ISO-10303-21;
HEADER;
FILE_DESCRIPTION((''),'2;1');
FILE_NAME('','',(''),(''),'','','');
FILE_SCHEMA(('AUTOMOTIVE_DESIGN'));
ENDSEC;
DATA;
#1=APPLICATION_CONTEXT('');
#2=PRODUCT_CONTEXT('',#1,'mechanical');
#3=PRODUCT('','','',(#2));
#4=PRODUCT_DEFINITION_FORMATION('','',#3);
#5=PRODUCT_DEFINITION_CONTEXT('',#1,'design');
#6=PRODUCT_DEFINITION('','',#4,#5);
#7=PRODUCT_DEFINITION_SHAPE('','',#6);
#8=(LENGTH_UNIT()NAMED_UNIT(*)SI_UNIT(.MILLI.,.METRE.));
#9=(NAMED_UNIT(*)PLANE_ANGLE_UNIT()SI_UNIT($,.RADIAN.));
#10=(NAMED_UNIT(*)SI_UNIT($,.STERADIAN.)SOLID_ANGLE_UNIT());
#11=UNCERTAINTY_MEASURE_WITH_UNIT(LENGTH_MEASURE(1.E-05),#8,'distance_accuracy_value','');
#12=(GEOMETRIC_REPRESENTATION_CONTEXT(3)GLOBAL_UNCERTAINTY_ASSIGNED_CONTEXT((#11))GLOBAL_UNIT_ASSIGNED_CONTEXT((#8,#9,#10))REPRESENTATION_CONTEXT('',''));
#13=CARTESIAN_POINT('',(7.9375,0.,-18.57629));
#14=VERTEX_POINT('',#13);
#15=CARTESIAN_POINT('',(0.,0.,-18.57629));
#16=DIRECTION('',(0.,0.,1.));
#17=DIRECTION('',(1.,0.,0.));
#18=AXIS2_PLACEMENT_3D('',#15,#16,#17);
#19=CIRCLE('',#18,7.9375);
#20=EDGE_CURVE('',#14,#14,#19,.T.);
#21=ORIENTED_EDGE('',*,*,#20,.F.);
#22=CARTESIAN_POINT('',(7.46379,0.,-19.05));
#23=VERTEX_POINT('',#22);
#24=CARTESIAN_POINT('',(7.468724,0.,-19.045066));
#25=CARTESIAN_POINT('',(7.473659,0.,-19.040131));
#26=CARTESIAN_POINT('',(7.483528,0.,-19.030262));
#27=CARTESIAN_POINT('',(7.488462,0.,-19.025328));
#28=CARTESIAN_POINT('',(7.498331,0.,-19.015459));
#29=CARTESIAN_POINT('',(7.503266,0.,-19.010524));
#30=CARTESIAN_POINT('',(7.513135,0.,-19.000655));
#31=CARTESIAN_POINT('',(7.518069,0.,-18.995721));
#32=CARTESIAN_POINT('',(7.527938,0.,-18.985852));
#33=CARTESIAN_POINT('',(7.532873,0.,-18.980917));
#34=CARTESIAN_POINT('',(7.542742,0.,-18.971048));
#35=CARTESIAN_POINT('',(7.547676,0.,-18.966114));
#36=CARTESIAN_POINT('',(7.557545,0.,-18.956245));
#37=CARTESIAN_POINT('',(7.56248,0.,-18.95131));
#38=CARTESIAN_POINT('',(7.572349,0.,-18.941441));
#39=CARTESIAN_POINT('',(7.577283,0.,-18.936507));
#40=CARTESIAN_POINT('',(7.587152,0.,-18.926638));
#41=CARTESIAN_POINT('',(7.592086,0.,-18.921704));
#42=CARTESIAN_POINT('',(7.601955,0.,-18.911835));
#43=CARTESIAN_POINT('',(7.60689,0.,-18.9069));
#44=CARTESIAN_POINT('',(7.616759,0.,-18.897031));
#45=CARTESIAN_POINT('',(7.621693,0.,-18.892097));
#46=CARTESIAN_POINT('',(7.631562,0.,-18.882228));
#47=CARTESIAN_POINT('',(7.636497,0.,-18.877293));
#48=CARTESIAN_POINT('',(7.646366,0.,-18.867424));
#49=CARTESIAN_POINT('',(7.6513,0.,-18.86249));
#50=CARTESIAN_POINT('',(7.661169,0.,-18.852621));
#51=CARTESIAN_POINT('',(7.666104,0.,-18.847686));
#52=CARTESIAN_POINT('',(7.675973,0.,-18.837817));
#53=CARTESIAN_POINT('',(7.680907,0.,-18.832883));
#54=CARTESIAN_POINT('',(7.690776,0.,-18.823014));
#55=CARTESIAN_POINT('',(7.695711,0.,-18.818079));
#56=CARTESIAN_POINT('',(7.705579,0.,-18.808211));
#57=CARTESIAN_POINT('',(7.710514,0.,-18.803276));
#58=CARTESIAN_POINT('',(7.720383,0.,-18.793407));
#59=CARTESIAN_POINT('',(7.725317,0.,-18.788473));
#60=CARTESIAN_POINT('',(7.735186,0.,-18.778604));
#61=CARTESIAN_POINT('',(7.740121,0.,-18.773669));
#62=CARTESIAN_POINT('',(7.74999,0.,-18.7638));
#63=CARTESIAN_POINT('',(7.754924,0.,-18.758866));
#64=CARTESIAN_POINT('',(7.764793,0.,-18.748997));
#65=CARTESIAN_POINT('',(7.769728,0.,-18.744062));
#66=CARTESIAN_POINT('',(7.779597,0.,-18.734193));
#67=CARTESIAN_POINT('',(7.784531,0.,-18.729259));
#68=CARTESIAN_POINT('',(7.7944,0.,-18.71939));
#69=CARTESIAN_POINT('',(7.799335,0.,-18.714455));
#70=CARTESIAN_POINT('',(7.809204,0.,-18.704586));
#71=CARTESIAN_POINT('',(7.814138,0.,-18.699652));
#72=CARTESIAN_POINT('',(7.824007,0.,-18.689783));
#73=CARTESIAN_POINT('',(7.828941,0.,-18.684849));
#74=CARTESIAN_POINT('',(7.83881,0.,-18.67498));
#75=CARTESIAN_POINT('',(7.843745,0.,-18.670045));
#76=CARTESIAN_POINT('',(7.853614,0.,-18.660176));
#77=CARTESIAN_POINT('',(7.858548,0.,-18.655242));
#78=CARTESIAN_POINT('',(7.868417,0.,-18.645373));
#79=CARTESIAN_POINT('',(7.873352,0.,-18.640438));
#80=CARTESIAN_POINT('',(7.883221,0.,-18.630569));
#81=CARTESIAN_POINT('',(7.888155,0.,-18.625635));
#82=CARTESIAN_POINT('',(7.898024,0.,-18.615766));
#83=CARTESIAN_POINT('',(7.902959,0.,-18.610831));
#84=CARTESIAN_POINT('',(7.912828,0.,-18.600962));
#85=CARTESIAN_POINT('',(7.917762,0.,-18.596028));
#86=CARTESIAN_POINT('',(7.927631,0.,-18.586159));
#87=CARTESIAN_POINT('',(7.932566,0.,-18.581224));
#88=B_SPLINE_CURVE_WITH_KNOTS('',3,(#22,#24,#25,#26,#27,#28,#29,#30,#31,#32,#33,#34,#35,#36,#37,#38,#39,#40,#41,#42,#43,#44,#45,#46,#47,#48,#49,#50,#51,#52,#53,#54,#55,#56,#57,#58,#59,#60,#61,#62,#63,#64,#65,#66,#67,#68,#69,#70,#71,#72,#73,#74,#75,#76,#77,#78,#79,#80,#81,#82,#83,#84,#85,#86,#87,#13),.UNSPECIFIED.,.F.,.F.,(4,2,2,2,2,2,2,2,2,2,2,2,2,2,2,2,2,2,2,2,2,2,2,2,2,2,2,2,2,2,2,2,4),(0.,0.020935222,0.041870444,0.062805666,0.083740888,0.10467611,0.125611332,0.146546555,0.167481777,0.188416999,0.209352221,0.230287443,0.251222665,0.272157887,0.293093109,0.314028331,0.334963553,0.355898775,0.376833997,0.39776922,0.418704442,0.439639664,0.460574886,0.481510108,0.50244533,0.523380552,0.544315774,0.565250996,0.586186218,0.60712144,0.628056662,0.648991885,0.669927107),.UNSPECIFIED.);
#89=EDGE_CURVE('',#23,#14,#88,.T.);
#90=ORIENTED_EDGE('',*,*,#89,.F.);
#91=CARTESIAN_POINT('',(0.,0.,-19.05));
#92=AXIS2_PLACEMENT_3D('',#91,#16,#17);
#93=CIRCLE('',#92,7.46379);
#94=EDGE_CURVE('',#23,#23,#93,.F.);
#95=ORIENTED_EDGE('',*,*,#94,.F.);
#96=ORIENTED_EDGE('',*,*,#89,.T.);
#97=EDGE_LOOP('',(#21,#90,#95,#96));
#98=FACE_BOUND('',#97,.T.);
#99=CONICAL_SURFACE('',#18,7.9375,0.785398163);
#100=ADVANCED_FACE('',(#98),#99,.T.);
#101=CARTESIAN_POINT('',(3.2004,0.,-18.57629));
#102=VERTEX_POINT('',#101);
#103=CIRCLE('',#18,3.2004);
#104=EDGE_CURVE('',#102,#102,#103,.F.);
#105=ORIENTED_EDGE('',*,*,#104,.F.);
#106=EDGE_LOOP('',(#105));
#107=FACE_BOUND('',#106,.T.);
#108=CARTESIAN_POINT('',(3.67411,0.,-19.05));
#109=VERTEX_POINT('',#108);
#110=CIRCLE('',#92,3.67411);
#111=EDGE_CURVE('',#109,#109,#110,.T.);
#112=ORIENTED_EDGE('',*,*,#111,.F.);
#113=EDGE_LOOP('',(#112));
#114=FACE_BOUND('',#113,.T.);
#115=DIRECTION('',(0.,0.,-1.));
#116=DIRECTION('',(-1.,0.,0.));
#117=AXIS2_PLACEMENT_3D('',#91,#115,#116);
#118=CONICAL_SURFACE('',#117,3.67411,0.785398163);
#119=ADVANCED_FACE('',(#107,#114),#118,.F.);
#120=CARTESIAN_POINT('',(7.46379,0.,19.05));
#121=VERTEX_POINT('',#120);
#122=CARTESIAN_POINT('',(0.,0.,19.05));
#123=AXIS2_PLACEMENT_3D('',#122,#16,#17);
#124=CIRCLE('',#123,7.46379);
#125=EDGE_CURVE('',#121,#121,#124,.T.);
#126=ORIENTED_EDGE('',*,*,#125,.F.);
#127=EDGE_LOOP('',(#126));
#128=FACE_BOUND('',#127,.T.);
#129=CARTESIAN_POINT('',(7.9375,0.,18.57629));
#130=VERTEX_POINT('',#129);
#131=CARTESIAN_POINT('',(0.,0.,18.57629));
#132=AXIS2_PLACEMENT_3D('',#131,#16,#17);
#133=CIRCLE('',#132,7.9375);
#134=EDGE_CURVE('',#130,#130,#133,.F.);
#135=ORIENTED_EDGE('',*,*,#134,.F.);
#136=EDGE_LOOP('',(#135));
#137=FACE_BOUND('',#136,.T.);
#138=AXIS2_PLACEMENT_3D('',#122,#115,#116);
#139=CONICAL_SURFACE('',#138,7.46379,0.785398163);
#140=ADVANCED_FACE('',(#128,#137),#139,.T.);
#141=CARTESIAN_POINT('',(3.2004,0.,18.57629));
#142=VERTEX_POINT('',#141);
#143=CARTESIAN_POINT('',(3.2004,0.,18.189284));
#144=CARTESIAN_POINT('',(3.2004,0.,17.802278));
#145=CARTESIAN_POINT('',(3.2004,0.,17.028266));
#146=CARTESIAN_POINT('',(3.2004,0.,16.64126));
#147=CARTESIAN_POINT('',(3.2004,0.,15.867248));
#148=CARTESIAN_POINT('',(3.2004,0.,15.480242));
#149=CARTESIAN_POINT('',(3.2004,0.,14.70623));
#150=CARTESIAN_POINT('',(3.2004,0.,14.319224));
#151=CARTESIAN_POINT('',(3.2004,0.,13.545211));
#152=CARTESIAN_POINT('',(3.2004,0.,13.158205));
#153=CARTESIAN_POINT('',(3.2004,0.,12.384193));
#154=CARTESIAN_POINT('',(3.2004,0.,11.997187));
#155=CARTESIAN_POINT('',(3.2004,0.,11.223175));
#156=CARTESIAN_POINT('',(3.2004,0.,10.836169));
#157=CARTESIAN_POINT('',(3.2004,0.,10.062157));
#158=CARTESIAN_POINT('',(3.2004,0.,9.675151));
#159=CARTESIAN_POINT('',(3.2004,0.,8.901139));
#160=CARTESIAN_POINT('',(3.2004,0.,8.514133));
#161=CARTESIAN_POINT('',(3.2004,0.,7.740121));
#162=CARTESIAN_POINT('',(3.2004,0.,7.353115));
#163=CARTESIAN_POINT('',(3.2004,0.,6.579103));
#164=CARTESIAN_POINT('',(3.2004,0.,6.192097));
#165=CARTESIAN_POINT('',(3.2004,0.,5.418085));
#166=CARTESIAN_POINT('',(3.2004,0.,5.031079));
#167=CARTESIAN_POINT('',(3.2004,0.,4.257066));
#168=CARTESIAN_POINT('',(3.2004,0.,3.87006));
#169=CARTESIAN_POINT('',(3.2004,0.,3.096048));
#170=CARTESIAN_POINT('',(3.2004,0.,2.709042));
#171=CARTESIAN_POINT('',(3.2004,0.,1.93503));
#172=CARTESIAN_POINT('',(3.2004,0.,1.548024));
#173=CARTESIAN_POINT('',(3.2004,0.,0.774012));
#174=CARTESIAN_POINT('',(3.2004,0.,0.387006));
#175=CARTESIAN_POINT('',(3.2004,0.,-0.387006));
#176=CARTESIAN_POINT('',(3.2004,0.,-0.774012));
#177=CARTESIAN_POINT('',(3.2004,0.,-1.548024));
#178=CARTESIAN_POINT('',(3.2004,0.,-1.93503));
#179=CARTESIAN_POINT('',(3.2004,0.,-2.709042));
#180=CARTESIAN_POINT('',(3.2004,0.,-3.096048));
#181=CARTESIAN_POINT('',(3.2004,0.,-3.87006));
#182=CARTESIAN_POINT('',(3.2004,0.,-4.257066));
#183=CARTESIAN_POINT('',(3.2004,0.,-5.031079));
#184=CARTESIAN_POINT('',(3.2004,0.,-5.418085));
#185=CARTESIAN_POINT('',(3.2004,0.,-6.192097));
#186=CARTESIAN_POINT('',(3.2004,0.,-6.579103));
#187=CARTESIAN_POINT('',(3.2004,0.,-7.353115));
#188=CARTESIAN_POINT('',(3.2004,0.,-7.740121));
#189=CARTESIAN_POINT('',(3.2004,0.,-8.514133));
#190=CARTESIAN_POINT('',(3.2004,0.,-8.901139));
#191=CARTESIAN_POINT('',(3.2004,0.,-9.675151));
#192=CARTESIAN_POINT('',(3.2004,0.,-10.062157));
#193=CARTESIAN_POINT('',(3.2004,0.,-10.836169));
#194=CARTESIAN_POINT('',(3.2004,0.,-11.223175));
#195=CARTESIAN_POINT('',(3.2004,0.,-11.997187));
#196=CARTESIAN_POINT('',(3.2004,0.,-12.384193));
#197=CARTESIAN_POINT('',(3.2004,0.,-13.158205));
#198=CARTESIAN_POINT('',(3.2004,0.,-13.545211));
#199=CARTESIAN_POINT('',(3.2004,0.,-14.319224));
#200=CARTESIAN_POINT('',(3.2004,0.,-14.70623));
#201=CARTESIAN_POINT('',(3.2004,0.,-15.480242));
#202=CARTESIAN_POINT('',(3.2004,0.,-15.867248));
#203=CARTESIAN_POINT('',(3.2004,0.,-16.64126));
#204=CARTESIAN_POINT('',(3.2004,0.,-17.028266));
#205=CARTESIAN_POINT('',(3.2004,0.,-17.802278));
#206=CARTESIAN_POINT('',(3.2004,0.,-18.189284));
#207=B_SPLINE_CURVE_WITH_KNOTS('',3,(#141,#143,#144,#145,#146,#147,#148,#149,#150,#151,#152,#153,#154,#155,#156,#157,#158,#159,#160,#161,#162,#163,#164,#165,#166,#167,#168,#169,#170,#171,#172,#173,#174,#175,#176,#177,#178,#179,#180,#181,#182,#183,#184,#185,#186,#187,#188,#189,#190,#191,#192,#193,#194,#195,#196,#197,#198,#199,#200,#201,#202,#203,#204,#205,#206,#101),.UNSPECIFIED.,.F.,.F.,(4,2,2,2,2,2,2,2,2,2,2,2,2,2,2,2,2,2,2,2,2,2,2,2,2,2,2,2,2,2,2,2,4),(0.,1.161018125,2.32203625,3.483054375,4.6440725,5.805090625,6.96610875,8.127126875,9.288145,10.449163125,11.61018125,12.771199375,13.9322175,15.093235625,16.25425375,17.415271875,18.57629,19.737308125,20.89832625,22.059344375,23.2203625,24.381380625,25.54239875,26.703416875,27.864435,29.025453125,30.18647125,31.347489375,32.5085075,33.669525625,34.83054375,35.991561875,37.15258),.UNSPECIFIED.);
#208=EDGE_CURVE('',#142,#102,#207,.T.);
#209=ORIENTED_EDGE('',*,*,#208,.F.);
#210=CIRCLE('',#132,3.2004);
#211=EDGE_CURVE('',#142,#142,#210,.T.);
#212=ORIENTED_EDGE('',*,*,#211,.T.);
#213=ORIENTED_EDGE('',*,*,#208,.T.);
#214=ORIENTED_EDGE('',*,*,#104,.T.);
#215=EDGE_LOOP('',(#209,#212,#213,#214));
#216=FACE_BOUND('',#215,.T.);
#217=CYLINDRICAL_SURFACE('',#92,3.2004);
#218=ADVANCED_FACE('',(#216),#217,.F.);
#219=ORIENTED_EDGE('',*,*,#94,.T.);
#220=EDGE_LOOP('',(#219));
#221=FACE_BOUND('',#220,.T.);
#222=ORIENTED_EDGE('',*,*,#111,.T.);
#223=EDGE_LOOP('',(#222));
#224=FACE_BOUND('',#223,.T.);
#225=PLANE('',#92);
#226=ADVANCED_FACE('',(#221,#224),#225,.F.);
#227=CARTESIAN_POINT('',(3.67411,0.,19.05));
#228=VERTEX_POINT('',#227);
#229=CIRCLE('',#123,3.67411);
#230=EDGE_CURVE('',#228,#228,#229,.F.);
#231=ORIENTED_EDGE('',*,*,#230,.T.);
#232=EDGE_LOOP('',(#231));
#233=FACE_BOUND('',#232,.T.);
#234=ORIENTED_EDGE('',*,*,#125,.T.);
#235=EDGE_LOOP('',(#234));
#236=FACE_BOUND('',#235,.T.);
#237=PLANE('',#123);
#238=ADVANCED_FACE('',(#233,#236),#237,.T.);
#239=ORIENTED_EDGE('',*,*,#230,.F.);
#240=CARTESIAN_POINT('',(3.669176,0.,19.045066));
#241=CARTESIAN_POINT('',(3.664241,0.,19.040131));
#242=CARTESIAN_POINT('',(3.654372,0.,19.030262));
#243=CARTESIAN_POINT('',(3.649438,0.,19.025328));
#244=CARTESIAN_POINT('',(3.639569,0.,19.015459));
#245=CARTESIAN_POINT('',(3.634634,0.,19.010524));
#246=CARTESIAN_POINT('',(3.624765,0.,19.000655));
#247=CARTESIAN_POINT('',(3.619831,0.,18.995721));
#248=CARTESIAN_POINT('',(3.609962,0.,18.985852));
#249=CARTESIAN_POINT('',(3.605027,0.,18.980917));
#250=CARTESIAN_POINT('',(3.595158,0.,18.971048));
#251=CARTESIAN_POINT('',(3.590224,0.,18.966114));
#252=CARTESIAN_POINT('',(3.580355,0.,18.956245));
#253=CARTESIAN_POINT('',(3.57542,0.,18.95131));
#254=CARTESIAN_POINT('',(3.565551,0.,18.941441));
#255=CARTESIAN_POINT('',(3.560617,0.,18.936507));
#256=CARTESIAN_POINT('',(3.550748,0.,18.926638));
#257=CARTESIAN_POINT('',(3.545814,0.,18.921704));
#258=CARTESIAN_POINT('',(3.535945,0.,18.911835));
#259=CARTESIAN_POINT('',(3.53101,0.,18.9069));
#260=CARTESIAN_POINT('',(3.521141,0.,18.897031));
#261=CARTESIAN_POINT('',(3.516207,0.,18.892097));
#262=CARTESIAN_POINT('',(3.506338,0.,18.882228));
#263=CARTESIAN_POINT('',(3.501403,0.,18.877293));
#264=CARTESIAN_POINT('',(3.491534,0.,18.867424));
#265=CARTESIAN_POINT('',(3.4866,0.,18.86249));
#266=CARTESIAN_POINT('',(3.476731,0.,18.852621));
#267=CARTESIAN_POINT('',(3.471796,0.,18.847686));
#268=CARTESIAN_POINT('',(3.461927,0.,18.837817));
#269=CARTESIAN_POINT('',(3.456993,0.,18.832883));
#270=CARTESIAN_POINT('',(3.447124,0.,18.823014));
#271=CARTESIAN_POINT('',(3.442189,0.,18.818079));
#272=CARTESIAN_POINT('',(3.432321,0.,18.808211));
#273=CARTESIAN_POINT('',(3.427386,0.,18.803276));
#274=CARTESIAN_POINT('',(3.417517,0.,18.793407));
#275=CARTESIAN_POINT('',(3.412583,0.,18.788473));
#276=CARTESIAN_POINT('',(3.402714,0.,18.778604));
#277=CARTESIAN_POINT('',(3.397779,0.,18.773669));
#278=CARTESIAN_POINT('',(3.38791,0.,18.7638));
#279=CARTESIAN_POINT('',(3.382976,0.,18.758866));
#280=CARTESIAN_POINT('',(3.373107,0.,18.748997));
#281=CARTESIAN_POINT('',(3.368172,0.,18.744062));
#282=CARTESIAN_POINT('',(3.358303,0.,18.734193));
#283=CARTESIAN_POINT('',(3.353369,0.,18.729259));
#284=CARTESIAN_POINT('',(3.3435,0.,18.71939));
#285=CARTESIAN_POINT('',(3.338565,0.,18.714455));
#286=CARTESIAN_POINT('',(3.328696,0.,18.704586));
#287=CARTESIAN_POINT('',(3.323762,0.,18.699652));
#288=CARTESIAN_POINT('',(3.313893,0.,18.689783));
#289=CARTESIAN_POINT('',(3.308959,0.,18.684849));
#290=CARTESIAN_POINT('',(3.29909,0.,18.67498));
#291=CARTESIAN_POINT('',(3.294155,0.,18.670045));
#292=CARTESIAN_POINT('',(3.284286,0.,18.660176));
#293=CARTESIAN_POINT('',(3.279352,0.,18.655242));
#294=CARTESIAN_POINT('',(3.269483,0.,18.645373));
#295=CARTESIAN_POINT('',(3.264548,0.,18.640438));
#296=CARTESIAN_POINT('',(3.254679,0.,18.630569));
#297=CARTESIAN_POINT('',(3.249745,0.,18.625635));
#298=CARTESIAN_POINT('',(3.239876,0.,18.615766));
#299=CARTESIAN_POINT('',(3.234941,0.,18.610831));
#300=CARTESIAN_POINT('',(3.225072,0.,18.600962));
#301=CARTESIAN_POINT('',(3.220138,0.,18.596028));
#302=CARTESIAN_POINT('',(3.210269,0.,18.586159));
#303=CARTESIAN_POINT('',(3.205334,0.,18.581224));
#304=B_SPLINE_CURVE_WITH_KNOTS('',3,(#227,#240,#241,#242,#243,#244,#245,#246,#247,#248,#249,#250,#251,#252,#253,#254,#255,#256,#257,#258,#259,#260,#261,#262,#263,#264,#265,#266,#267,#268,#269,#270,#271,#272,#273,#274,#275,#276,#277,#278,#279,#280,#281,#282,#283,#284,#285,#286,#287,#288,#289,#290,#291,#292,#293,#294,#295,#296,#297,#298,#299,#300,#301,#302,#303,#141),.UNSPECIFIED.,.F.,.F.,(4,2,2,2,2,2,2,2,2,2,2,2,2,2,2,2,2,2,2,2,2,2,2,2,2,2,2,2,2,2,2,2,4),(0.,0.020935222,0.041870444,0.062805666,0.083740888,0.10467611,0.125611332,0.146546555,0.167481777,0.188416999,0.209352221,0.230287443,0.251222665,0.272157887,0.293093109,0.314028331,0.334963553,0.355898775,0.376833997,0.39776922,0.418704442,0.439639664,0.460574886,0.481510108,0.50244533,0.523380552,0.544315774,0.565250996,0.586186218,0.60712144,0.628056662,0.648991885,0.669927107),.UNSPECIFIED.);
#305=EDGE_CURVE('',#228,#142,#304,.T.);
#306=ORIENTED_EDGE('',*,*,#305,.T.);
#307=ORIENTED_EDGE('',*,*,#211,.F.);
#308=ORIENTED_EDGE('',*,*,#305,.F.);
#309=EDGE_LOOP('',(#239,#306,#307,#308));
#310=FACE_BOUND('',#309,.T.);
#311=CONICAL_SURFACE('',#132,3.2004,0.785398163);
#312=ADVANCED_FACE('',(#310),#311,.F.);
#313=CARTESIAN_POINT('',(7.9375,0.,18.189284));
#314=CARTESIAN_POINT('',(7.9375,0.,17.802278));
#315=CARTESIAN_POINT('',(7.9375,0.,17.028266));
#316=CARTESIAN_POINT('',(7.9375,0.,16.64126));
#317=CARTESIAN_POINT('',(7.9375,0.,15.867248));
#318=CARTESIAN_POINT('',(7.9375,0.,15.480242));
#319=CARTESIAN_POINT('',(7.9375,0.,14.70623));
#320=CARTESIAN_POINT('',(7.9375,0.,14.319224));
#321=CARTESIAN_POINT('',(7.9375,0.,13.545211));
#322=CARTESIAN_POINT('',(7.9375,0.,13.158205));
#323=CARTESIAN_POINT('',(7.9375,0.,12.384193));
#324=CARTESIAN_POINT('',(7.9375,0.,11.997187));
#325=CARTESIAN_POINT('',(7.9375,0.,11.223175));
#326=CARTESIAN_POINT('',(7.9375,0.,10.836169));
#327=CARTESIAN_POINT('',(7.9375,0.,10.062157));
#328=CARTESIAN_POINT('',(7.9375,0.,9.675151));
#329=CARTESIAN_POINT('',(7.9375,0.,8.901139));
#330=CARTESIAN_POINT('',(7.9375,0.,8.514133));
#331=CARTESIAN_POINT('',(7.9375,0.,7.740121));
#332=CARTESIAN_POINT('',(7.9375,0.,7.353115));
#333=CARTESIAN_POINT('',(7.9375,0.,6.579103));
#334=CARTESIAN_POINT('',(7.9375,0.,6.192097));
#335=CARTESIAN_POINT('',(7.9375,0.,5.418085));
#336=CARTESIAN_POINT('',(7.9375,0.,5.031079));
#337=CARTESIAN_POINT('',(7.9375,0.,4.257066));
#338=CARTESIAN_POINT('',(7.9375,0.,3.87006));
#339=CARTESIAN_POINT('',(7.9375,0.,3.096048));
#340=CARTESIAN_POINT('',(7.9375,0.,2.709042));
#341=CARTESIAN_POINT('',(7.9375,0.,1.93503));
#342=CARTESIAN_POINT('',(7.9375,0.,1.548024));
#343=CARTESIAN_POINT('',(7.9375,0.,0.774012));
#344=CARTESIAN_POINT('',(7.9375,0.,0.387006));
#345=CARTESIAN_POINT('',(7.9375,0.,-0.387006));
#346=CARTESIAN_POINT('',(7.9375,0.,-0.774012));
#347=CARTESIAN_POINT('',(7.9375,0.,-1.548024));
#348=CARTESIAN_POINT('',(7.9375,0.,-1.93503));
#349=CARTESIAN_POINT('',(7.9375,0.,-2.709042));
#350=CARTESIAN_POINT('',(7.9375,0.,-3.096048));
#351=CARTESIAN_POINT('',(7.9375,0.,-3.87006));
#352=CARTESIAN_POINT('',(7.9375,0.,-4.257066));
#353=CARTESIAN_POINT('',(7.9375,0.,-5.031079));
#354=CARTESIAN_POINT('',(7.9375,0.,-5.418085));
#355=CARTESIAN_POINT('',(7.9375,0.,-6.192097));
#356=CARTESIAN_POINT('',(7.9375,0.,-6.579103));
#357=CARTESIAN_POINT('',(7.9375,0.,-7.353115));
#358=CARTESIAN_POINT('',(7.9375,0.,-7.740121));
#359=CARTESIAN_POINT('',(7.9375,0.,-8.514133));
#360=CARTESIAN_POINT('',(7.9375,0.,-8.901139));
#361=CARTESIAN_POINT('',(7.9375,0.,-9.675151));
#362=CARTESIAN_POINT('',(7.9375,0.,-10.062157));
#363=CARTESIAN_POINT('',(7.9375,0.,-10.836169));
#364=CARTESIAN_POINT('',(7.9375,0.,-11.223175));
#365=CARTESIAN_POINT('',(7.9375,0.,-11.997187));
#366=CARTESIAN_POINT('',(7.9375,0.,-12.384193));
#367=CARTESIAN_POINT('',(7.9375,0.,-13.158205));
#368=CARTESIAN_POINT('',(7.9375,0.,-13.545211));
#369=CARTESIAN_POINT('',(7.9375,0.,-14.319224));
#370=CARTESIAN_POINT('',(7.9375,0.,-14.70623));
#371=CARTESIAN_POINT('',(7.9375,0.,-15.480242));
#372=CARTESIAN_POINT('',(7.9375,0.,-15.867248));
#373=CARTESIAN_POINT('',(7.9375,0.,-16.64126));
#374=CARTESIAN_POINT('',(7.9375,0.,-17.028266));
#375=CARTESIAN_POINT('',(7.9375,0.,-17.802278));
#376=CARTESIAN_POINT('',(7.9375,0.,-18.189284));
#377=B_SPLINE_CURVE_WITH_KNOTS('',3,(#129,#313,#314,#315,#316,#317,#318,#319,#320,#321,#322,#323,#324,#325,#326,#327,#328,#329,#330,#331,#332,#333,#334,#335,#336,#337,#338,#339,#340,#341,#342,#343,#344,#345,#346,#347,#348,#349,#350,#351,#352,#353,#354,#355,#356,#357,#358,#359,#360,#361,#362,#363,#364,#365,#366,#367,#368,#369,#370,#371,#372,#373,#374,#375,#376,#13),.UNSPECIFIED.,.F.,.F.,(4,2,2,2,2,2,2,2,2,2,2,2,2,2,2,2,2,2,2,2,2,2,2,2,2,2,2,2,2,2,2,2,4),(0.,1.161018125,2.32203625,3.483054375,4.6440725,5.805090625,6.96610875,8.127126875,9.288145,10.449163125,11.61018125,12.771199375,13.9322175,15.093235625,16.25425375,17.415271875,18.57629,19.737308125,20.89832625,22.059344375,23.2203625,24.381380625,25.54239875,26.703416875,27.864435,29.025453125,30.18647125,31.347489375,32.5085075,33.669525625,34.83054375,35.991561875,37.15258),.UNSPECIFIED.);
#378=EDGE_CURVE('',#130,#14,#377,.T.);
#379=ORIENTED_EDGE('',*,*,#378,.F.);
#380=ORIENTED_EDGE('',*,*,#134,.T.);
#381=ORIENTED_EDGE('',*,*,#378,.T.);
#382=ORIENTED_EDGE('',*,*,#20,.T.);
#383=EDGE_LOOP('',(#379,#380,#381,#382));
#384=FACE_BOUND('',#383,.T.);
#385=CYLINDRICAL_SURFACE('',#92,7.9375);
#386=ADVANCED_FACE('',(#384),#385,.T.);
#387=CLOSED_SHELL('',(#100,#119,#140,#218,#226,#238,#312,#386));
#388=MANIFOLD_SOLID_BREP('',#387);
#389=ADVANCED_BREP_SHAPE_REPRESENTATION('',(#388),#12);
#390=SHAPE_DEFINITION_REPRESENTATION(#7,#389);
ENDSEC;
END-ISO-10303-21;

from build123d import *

# Parameters (mm, degrees)
BOSS_EXTRUDE1_DEPTH      = 19.05
BOSS_EXTRUDE1_DEPTH_BACK = 19.05
SKETCH3_R                = 7.9375
SKETCH3_R_2              = 3.2004
CHAMFER1_SIZE            = 0.47371


with BuildPart() as part:
    # Sketch3 → Boss-Extrude1 (new, two sides: drawn at the far end of the back side and taken through both)
    with BuildSketch(Plane.XY.offset(-BOSS_EXTRUDE1_DEPTH_BACK)):
        Circle(SKETCH3_R)
        Circle(SKETCH3_R_2, mode=Mode.SUBTRACT)
    extrude(amount=BOSS_EXTRUDE1_DEPTH + BOSS_EXTRUDE1_DEPTH_BACK)

    # Chamfer1
    chamfer1_edges = [part.edges().sort_by_distance(p)[0] for p in [
        (-7.9375, 0, -19.05),
        (-3.2004, 0, -19.05),
        (-7.9375, 0, 19.05),
        (-3.2004, 0, 19.05),
    ]]
    chamfer(chamfer1_edges, length=CHAMFER1_SIZE)


solid = part.part
